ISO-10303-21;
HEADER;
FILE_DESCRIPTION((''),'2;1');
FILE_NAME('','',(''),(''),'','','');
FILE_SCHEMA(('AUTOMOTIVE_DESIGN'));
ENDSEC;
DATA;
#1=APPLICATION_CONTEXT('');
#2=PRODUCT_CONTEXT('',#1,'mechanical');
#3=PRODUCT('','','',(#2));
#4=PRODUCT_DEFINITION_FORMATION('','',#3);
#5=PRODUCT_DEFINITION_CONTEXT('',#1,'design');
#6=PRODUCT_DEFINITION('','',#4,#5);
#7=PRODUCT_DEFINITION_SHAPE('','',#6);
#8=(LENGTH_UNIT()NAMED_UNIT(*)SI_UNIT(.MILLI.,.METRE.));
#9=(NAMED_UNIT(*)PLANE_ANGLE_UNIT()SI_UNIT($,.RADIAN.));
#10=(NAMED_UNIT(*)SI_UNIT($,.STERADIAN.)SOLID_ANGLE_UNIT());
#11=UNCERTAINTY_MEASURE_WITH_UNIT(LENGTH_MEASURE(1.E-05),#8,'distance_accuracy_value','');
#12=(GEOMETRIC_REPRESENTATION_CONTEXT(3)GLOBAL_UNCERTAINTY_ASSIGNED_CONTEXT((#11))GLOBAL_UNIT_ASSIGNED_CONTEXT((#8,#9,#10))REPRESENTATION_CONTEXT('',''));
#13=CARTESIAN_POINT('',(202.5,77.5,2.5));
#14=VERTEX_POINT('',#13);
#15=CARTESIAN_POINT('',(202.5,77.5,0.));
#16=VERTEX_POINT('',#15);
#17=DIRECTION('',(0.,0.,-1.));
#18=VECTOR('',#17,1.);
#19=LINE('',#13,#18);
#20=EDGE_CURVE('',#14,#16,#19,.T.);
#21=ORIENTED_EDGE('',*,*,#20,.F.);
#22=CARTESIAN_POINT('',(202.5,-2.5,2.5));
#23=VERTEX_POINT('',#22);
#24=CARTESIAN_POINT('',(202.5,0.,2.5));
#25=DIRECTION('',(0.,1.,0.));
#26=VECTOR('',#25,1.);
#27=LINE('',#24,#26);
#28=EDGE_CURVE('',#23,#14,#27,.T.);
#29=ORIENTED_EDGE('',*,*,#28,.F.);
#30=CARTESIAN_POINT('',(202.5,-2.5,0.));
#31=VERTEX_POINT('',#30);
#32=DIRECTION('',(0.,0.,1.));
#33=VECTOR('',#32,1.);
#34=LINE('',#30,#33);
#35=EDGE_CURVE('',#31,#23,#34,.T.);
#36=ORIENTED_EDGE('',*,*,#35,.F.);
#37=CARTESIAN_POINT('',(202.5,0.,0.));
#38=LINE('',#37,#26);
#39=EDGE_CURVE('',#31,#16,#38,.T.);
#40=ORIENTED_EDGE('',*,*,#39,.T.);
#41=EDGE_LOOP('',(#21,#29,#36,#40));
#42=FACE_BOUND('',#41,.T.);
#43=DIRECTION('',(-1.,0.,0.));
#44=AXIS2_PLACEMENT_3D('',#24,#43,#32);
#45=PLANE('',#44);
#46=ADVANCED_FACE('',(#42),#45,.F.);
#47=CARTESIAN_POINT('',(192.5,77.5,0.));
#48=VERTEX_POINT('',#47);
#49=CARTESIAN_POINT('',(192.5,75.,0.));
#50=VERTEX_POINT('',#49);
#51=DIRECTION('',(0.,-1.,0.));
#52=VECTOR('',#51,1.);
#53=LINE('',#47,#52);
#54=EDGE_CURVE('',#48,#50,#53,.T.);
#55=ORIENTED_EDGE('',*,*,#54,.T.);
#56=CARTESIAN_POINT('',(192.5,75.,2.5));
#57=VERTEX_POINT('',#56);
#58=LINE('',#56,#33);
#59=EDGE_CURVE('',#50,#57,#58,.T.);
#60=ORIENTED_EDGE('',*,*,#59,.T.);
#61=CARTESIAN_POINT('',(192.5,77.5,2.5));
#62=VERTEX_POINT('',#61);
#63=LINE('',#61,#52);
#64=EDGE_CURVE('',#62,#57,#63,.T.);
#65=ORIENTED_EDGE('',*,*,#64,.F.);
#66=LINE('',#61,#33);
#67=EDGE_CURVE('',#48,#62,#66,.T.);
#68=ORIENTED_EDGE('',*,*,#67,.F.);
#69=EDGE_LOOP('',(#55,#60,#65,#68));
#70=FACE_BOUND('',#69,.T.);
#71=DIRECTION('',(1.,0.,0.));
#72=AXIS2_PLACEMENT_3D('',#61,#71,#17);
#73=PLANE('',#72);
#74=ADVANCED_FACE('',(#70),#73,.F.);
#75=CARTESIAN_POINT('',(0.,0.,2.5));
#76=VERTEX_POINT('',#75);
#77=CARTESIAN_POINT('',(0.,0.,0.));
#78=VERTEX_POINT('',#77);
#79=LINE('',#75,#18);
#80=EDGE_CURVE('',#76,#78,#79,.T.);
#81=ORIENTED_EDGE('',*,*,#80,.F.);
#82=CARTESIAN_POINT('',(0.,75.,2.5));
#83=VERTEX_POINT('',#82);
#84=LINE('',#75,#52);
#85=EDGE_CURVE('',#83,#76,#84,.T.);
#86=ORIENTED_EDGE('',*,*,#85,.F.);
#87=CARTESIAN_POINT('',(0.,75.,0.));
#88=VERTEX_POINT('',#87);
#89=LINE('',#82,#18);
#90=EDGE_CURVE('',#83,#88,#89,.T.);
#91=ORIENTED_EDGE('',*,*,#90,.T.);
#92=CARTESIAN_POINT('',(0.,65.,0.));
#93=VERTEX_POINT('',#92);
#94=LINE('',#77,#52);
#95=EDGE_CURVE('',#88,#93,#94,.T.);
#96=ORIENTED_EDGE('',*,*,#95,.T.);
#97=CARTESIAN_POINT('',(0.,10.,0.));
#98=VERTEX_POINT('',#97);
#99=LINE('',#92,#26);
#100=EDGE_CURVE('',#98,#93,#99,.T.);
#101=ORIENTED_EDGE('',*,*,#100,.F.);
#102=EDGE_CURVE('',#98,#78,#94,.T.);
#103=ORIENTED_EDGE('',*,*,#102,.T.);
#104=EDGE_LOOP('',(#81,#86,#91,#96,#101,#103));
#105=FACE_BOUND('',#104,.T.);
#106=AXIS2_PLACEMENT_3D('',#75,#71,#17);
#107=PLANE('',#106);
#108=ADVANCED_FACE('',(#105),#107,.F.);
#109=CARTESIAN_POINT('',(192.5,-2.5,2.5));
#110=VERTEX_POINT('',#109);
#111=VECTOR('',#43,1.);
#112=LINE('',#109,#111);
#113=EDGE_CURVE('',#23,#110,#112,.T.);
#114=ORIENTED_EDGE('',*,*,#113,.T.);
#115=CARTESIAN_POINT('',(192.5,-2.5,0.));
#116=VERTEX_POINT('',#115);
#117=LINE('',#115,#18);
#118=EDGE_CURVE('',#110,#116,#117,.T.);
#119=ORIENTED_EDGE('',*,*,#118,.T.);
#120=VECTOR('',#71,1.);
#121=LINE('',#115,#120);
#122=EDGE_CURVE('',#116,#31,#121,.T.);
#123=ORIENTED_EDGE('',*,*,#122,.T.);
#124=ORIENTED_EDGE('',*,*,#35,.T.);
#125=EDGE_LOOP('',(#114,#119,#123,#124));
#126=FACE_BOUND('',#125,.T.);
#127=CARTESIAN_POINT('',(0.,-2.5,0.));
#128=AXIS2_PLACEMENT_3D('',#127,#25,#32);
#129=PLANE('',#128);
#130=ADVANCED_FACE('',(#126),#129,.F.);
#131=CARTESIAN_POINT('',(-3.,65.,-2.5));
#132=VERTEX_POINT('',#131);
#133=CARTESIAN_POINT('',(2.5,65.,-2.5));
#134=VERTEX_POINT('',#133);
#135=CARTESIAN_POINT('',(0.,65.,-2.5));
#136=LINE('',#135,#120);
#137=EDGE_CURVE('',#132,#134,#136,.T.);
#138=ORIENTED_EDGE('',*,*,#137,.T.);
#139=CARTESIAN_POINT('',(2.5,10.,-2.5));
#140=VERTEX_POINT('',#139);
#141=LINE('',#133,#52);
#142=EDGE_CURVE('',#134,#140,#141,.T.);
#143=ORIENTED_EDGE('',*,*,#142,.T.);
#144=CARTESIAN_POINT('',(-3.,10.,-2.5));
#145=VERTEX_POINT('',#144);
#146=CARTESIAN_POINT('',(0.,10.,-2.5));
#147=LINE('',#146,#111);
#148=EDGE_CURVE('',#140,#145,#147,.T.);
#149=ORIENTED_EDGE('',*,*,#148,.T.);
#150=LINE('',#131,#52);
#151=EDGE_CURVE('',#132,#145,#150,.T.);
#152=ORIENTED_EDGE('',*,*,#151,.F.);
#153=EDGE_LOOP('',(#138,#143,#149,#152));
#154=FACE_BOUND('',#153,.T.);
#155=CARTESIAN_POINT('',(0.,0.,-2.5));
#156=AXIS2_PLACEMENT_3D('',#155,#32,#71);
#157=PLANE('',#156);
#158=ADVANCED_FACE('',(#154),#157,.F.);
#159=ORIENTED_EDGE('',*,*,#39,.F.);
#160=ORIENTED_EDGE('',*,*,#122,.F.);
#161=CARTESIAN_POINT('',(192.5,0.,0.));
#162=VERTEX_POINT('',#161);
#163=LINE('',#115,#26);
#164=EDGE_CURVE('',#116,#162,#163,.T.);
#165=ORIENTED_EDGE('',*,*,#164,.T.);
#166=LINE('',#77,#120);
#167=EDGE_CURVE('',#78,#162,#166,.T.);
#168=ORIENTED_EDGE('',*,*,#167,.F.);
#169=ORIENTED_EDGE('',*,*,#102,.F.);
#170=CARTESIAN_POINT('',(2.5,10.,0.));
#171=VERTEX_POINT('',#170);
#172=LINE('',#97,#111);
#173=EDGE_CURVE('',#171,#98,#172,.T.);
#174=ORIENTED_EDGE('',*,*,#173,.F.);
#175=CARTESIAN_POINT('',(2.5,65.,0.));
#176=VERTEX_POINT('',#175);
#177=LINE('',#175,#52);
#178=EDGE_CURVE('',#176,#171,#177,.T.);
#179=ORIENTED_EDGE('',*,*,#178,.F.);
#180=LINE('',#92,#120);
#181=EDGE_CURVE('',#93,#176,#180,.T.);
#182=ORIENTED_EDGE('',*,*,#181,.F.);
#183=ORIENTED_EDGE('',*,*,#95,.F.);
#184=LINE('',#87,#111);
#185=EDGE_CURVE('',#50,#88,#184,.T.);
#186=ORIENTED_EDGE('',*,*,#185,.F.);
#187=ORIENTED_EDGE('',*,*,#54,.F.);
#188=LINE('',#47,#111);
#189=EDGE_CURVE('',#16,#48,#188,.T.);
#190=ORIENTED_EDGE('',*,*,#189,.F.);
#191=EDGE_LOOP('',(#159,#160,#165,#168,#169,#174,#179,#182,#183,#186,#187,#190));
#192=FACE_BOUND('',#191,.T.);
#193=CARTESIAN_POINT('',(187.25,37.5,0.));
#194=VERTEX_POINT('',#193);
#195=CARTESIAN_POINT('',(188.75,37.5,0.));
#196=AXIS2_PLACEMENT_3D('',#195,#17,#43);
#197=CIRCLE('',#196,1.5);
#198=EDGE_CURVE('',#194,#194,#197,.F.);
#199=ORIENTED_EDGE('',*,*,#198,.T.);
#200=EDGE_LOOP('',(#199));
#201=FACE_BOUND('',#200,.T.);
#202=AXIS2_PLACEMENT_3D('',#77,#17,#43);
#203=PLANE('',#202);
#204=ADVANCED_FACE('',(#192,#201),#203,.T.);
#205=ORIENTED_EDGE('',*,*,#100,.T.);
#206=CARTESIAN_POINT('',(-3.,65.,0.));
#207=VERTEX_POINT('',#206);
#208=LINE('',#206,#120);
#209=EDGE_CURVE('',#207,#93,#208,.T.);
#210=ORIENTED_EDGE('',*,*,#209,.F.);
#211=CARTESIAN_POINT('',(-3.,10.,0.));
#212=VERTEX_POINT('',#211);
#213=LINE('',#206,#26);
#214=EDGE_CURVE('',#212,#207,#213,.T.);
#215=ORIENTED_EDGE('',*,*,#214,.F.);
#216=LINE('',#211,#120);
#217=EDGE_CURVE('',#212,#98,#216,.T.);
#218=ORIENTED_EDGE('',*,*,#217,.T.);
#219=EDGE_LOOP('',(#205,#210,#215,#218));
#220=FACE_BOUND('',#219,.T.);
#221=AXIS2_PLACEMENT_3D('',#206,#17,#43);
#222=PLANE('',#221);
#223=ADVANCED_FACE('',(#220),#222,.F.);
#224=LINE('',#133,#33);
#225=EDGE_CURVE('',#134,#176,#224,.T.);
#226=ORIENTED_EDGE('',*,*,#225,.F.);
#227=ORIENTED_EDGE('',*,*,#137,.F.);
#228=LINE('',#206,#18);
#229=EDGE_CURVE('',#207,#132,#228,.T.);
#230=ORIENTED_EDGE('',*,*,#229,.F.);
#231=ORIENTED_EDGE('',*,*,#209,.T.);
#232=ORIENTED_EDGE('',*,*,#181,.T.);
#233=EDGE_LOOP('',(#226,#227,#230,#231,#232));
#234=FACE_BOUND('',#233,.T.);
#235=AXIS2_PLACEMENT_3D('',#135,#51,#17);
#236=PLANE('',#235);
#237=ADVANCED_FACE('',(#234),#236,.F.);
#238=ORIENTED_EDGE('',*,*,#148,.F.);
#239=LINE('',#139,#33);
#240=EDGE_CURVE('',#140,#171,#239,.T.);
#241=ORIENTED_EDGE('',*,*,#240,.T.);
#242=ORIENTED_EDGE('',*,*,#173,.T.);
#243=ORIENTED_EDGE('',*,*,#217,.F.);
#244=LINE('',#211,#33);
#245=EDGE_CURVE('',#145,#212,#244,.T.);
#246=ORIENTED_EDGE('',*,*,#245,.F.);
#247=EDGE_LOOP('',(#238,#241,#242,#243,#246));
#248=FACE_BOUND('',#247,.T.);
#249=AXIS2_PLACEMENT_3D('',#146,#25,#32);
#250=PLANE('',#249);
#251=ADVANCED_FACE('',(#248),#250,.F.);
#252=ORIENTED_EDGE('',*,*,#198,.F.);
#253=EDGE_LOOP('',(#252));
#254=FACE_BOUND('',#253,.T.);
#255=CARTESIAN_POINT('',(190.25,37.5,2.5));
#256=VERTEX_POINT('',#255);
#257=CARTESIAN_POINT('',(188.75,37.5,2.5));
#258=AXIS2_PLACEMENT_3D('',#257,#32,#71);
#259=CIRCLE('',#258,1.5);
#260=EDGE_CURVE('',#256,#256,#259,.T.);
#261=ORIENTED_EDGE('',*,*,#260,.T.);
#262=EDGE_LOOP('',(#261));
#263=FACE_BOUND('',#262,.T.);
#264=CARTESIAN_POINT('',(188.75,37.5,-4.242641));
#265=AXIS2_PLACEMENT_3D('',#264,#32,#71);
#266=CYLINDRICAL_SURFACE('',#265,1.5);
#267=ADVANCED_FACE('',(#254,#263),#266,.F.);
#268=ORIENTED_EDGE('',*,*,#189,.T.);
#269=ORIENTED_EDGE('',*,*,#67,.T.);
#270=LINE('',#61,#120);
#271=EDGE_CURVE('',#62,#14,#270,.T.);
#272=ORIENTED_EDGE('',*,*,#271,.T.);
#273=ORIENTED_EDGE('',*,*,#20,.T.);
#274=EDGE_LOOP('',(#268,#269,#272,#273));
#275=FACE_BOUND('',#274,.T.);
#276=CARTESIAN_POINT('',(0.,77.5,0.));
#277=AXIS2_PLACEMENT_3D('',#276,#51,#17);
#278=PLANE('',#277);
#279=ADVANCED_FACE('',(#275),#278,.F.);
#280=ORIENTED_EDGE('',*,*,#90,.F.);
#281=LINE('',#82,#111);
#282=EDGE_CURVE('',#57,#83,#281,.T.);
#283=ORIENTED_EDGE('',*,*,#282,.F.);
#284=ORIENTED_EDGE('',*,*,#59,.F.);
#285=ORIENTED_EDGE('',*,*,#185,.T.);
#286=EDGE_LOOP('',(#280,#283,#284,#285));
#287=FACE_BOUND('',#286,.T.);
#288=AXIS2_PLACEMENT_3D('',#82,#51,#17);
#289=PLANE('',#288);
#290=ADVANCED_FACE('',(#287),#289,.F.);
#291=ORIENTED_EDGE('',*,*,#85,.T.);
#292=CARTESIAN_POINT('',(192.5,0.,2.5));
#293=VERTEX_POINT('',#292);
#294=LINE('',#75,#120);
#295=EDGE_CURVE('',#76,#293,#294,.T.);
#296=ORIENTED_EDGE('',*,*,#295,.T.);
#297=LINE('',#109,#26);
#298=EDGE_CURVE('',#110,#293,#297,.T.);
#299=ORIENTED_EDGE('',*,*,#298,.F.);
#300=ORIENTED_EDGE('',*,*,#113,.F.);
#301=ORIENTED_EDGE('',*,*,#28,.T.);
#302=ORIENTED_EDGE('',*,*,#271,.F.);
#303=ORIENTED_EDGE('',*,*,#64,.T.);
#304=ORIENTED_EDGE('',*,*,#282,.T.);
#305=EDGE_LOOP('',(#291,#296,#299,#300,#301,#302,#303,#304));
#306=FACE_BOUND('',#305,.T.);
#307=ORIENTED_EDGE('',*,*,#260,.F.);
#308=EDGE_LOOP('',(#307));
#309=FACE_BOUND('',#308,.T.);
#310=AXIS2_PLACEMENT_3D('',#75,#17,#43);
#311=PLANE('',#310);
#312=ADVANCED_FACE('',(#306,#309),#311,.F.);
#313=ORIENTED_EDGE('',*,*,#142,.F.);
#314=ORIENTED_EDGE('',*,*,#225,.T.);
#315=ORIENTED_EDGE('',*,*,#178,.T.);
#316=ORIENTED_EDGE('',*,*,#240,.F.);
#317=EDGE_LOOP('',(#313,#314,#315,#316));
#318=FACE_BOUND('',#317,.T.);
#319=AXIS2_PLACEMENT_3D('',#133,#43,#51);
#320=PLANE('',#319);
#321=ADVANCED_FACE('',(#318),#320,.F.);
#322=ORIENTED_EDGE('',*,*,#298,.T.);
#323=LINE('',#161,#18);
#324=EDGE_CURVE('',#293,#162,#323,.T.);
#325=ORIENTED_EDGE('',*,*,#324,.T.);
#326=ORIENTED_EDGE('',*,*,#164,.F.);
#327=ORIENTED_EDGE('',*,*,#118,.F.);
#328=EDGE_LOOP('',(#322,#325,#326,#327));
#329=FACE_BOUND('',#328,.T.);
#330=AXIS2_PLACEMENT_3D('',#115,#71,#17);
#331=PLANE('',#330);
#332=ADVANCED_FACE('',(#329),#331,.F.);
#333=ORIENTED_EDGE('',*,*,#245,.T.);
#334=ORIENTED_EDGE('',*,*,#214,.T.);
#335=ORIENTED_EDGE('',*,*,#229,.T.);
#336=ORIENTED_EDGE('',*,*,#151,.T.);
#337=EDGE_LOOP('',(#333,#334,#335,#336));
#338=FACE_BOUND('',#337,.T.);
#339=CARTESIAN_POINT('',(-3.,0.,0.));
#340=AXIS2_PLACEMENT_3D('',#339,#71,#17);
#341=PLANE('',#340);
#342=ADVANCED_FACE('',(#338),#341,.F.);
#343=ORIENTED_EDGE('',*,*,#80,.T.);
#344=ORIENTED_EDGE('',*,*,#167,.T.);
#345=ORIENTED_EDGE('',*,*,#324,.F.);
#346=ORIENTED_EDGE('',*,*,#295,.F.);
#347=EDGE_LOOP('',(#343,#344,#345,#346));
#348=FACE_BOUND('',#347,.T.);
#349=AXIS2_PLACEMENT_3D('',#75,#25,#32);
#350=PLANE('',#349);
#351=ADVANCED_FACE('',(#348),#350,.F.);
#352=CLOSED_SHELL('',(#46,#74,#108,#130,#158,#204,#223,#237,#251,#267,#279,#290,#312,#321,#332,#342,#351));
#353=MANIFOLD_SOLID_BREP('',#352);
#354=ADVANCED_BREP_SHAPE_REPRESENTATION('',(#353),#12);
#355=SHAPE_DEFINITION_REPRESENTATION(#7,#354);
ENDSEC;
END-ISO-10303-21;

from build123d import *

# Parameters (mm, degrees)
SKETCH1_W            = 202.5
SKETCH1_H            = 75
BOSS_EXTRUDE7_DEPTH  = 2.5
SKETCH9_W            = 10
SKETCH9_H            = 2.5
BOSS_EXTRUDE8_DEPTH  = 2.5
SKETCH10_W           = 10
SKETCH10_H           = 2.5
BOSS_EXTRUDE9_DEPTH  = 2.5
SKETCH11_R           = 1.5
CUT_EXTRUDE3_DEPTH   = 2.5
SKETCH12_W           = 2.5
SKETCH12_H           = 55
BOSS_EXTRUDE10_DEPTH = 2.5
SKETCH13_W           = 2.5
SKETCH13_H           = 55
BOSS_EXTRUDE11_DEPTH = 3


with BuildPart() as part:
    # Sketch1 → Boss-Extrude7 (new body)
    with BuildSketch(Plane.XY):
        with Locations((101.25, 37.5)):
            Rectangle(SKETCH1_W, SKETCH1_H)
    extrude(amount=BOSS_EXTRUDE7_DEPTH)

    # Sketch9 → Boss-Extrude8 (add)
    with BuildSketch(Plane(origin=(0, 75, 0), x_dir=(1, 0, 0), z_dir=(0, 1, 0))):
        with Locations((197.5, -1.25)):
            Rectangle(SKETCH9_W, SKETCH9_H)
    extrude(amount=BOSS_EXTRUDE8_DEPTH)

    # Sketch10 → Boss-Extrude9 (add)
    with BuildSketch(Plane.XZ):
        with Locations((197.5, 1.25)):
            Rectangle(SKETCH10_W, SKETCH10_H)
    extrude(amount=BOSS_EXTRUDE9_DEPTH)

    # Sketch11 → Cut-Extrude3 (cut)
    with BuildSketch(Plane.XY.offset(2.5)):
        with Locations((188.75, 37.5)):
            Circle(SKETCH11_R)
    extrude(amount=-CUT_EXTRUDE3_DEPTH, mode=Mode.SUBTRACT)

    # Sketch12 → Boss-Extrude10 (add)
    with BuildSketch(Plane(origin=(0, 0, 0), x_dir=(-1, 0, 0), z_dir=(0, 0, -1))):
        with Locations((-1.25, 37.5)):
            Rectangle(SKETCH12_W, SKETCH12_H)
    extrude(amount=BOSS_EXTRUDE10_DEPTH)

    # Sketch13 → Boss-Extrude11 (add)
    with BuildSketch(Plane.ZY):
        with Locations((-1.25, 37.5)):
            Rectangle(SKETCH13_W, SKETCH13_H)
    extrude(amount=BOSS_EXTRUDE11_DEPTH)


solid = part.part
